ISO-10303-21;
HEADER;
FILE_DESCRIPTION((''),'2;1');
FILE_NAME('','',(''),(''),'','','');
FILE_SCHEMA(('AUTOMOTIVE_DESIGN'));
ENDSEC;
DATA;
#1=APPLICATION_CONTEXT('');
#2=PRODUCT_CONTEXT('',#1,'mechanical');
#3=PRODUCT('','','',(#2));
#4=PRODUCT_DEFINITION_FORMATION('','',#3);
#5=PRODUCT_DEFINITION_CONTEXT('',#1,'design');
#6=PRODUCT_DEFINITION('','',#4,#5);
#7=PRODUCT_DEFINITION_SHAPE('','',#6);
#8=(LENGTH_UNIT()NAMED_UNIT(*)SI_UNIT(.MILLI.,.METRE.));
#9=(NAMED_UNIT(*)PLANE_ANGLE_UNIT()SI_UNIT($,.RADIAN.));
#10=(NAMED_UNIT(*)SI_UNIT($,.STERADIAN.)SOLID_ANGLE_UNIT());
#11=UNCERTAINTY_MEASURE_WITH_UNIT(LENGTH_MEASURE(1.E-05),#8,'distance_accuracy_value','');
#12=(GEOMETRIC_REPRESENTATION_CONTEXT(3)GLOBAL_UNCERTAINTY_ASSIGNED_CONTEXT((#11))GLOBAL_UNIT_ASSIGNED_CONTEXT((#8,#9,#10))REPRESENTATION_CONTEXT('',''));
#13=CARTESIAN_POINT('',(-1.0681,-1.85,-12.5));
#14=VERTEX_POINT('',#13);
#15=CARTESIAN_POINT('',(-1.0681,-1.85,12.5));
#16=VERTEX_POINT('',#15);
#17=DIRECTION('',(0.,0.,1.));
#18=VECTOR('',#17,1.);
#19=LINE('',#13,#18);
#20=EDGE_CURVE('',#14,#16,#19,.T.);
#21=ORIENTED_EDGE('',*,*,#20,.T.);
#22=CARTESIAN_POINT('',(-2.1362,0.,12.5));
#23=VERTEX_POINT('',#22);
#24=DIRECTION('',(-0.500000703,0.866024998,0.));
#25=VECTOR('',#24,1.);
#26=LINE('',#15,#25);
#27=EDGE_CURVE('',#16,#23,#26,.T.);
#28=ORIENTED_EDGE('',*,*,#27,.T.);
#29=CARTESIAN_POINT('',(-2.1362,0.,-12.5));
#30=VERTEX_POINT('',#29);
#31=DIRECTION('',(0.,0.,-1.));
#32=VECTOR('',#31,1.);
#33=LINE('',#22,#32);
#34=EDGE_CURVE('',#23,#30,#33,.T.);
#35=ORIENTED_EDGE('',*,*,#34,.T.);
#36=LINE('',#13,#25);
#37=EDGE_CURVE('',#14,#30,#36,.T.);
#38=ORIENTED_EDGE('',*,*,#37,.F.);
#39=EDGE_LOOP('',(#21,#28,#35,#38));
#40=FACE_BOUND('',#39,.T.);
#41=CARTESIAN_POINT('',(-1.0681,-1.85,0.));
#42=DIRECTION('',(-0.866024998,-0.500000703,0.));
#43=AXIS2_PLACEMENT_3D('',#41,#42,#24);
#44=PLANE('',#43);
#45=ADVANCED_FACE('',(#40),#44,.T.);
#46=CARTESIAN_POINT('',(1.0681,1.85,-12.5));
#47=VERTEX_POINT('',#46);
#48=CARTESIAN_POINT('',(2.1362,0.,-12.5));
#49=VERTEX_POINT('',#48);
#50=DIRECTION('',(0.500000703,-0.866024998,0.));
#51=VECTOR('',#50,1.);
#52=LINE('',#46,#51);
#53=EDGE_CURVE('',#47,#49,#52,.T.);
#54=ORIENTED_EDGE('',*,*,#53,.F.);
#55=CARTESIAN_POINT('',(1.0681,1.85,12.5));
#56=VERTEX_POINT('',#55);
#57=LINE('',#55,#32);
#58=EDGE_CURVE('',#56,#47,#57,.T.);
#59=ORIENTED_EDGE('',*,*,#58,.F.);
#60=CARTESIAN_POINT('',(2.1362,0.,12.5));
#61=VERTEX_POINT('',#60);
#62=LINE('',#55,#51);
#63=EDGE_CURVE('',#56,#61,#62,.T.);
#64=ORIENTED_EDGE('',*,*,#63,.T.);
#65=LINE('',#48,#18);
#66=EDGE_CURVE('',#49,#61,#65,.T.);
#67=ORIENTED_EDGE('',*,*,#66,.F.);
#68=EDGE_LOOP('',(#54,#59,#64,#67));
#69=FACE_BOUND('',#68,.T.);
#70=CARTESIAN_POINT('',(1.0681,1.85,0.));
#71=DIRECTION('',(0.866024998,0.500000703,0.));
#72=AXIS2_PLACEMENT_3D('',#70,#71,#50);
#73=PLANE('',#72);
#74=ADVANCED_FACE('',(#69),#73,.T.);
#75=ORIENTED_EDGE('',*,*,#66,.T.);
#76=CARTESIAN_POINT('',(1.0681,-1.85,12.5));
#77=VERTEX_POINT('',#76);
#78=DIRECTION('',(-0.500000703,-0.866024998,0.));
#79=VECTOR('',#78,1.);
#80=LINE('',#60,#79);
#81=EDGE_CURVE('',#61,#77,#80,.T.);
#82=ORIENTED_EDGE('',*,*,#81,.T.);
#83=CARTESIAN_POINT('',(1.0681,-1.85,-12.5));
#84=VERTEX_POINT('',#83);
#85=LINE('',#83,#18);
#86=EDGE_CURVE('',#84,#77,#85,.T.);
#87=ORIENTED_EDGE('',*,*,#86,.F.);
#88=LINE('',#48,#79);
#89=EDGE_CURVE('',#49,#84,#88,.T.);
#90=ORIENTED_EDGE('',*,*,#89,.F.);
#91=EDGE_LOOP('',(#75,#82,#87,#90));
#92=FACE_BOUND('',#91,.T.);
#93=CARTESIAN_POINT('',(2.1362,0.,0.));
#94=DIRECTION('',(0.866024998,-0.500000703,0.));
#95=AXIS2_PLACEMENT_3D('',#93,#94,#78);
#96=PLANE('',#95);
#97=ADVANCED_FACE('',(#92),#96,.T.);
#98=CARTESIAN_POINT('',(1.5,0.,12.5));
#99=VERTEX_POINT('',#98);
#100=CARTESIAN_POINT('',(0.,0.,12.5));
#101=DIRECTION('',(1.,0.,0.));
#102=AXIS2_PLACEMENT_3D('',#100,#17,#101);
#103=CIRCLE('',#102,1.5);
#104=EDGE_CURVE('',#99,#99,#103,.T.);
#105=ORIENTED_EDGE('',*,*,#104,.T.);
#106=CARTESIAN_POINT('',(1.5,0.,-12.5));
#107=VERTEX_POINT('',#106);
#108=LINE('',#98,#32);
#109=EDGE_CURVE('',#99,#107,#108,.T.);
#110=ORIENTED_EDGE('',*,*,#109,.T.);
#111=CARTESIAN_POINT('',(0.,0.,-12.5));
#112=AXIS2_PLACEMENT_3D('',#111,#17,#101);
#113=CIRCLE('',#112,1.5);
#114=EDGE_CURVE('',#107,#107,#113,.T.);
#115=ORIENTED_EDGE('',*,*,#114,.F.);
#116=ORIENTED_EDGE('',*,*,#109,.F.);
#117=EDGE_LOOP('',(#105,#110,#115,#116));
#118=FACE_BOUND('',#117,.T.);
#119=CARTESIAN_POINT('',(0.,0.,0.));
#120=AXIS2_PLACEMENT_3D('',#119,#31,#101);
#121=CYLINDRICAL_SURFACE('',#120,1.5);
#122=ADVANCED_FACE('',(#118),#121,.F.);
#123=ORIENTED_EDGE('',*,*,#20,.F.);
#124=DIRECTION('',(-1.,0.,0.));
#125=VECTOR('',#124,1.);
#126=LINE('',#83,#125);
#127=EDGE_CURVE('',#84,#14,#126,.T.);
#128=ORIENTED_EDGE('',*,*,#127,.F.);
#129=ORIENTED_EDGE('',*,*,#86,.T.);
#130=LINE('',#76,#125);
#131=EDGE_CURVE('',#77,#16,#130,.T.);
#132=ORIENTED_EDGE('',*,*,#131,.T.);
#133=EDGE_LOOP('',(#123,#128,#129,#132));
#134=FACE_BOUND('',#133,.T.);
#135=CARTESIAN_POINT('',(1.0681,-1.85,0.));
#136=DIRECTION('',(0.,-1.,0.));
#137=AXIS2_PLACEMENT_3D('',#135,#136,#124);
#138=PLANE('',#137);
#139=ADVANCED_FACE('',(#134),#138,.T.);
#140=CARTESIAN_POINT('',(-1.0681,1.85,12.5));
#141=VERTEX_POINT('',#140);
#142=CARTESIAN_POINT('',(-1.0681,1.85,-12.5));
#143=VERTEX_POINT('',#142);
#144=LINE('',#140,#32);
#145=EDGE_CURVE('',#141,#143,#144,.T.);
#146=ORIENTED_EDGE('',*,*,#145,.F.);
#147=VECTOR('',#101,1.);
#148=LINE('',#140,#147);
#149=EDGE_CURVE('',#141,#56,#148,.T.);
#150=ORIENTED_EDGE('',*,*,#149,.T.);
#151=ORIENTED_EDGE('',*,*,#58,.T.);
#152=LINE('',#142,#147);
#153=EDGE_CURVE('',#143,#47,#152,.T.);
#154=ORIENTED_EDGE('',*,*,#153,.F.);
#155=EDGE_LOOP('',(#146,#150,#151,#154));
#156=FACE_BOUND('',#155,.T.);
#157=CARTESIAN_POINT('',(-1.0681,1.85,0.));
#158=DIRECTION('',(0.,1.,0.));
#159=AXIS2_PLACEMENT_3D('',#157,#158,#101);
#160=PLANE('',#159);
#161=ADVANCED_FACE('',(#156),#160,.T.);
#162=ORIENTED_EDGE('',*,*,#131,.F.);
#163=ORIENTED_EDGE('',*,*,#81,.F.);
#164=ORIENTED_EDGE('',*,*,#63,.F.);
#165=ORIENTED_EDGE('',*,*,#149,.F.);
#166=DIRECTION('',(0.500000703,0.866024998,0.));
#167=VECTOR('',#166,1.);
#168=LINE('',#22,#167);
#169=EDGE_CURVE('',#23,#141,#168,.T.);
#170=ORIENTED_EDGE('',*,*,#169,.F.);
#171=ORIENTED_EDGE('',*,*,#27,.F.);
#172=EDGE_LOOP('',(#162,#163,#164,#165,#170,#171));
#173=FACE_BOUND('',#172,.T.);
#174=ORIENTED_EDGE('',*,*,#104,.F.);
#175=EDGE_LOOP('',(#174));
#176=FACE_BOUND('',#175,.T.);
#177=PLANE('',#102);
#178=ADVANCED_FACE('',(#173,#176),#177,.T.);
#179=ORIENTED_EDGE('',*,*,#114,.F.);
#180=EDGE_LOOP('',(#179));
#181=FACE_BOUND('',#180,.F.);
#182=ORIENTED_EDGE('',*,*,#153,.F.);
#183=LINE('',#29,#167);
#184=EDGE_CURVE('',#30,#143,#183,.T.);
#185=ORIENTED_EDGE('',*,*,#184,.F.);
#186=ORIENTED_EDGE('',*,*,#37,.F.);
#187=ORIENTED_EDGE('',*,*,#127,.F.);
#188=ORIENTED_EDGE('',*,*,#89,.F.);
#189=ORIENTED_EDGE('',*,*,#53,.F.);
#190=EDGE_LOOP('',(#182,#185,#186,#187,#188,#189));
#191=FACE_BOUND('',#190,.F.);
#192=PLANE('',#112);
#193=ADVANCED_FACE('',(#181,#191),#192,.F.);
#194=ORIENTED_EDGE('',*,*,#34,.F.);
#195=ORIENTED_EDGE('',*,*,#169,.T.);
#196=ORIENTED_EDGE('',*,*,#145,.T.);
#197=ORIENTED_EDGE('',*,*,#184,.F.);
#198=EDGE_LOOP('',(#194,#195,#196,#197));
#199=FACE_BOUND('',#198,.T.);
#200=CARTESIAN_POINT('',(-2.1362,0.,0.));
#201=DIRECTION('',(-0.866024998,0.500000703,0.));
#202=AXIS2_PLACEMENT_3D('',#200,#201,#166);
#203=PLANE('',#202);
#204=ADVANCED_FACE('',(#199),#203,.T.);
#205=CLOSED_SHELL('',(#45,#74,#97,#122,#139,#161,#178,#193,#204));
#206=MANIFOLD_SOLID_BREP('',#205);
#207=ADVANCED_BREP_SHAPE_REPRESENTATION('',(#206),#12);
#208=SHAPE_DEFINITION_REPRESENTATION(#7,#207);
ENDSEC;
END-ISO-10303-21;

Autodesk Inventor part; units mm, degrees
ref_plane "YZ Plane" through (0, 0, 0) normal (1, 0, 0) x (0, 1, 0)
ref_plane "XZ Plane" through (0, 0, 0) normal (0, 1, 0) x (-1, 0, 0)
ref_plane "XY Plane" through (0, 0, 0) normal (0, 0, 1) x (1, 0, 0)
sketch "Sketch1" plane through (0, 0, 0) normal (0, 0, 1) x (1, 0, 0)
  line L0 (-1.0681, -1.85) -> (-2.1362, 0)
  line L1 (-2.1362, 0) -> (-1.0681, 1.85)
  line L2 (-1.0681, 1.85) -> (1.0681, 1.85)
  line L3 (1.0681, 1.85) -> (2.1362, 0)
  line L4 (2.1362, 0) -> (1.0681, -1.85)
  line L5 (1.0681, -1.85) -> (-1.0681, -1.85)
  circle A0 centre (0, 0) radius 1.5
  dimension "d0" = 3.7
  dimension "d3" = 3
extrude "Extrusion1" add sketch "Sketch1" along normal mid plane 25
thread "Thread1" size "M3x0.5" class "6H" standard "ANSI Metric M Profile" full length
properties part number "M3 x 25mm Threaded Spacer" material "Brass, Soft Yellow"
